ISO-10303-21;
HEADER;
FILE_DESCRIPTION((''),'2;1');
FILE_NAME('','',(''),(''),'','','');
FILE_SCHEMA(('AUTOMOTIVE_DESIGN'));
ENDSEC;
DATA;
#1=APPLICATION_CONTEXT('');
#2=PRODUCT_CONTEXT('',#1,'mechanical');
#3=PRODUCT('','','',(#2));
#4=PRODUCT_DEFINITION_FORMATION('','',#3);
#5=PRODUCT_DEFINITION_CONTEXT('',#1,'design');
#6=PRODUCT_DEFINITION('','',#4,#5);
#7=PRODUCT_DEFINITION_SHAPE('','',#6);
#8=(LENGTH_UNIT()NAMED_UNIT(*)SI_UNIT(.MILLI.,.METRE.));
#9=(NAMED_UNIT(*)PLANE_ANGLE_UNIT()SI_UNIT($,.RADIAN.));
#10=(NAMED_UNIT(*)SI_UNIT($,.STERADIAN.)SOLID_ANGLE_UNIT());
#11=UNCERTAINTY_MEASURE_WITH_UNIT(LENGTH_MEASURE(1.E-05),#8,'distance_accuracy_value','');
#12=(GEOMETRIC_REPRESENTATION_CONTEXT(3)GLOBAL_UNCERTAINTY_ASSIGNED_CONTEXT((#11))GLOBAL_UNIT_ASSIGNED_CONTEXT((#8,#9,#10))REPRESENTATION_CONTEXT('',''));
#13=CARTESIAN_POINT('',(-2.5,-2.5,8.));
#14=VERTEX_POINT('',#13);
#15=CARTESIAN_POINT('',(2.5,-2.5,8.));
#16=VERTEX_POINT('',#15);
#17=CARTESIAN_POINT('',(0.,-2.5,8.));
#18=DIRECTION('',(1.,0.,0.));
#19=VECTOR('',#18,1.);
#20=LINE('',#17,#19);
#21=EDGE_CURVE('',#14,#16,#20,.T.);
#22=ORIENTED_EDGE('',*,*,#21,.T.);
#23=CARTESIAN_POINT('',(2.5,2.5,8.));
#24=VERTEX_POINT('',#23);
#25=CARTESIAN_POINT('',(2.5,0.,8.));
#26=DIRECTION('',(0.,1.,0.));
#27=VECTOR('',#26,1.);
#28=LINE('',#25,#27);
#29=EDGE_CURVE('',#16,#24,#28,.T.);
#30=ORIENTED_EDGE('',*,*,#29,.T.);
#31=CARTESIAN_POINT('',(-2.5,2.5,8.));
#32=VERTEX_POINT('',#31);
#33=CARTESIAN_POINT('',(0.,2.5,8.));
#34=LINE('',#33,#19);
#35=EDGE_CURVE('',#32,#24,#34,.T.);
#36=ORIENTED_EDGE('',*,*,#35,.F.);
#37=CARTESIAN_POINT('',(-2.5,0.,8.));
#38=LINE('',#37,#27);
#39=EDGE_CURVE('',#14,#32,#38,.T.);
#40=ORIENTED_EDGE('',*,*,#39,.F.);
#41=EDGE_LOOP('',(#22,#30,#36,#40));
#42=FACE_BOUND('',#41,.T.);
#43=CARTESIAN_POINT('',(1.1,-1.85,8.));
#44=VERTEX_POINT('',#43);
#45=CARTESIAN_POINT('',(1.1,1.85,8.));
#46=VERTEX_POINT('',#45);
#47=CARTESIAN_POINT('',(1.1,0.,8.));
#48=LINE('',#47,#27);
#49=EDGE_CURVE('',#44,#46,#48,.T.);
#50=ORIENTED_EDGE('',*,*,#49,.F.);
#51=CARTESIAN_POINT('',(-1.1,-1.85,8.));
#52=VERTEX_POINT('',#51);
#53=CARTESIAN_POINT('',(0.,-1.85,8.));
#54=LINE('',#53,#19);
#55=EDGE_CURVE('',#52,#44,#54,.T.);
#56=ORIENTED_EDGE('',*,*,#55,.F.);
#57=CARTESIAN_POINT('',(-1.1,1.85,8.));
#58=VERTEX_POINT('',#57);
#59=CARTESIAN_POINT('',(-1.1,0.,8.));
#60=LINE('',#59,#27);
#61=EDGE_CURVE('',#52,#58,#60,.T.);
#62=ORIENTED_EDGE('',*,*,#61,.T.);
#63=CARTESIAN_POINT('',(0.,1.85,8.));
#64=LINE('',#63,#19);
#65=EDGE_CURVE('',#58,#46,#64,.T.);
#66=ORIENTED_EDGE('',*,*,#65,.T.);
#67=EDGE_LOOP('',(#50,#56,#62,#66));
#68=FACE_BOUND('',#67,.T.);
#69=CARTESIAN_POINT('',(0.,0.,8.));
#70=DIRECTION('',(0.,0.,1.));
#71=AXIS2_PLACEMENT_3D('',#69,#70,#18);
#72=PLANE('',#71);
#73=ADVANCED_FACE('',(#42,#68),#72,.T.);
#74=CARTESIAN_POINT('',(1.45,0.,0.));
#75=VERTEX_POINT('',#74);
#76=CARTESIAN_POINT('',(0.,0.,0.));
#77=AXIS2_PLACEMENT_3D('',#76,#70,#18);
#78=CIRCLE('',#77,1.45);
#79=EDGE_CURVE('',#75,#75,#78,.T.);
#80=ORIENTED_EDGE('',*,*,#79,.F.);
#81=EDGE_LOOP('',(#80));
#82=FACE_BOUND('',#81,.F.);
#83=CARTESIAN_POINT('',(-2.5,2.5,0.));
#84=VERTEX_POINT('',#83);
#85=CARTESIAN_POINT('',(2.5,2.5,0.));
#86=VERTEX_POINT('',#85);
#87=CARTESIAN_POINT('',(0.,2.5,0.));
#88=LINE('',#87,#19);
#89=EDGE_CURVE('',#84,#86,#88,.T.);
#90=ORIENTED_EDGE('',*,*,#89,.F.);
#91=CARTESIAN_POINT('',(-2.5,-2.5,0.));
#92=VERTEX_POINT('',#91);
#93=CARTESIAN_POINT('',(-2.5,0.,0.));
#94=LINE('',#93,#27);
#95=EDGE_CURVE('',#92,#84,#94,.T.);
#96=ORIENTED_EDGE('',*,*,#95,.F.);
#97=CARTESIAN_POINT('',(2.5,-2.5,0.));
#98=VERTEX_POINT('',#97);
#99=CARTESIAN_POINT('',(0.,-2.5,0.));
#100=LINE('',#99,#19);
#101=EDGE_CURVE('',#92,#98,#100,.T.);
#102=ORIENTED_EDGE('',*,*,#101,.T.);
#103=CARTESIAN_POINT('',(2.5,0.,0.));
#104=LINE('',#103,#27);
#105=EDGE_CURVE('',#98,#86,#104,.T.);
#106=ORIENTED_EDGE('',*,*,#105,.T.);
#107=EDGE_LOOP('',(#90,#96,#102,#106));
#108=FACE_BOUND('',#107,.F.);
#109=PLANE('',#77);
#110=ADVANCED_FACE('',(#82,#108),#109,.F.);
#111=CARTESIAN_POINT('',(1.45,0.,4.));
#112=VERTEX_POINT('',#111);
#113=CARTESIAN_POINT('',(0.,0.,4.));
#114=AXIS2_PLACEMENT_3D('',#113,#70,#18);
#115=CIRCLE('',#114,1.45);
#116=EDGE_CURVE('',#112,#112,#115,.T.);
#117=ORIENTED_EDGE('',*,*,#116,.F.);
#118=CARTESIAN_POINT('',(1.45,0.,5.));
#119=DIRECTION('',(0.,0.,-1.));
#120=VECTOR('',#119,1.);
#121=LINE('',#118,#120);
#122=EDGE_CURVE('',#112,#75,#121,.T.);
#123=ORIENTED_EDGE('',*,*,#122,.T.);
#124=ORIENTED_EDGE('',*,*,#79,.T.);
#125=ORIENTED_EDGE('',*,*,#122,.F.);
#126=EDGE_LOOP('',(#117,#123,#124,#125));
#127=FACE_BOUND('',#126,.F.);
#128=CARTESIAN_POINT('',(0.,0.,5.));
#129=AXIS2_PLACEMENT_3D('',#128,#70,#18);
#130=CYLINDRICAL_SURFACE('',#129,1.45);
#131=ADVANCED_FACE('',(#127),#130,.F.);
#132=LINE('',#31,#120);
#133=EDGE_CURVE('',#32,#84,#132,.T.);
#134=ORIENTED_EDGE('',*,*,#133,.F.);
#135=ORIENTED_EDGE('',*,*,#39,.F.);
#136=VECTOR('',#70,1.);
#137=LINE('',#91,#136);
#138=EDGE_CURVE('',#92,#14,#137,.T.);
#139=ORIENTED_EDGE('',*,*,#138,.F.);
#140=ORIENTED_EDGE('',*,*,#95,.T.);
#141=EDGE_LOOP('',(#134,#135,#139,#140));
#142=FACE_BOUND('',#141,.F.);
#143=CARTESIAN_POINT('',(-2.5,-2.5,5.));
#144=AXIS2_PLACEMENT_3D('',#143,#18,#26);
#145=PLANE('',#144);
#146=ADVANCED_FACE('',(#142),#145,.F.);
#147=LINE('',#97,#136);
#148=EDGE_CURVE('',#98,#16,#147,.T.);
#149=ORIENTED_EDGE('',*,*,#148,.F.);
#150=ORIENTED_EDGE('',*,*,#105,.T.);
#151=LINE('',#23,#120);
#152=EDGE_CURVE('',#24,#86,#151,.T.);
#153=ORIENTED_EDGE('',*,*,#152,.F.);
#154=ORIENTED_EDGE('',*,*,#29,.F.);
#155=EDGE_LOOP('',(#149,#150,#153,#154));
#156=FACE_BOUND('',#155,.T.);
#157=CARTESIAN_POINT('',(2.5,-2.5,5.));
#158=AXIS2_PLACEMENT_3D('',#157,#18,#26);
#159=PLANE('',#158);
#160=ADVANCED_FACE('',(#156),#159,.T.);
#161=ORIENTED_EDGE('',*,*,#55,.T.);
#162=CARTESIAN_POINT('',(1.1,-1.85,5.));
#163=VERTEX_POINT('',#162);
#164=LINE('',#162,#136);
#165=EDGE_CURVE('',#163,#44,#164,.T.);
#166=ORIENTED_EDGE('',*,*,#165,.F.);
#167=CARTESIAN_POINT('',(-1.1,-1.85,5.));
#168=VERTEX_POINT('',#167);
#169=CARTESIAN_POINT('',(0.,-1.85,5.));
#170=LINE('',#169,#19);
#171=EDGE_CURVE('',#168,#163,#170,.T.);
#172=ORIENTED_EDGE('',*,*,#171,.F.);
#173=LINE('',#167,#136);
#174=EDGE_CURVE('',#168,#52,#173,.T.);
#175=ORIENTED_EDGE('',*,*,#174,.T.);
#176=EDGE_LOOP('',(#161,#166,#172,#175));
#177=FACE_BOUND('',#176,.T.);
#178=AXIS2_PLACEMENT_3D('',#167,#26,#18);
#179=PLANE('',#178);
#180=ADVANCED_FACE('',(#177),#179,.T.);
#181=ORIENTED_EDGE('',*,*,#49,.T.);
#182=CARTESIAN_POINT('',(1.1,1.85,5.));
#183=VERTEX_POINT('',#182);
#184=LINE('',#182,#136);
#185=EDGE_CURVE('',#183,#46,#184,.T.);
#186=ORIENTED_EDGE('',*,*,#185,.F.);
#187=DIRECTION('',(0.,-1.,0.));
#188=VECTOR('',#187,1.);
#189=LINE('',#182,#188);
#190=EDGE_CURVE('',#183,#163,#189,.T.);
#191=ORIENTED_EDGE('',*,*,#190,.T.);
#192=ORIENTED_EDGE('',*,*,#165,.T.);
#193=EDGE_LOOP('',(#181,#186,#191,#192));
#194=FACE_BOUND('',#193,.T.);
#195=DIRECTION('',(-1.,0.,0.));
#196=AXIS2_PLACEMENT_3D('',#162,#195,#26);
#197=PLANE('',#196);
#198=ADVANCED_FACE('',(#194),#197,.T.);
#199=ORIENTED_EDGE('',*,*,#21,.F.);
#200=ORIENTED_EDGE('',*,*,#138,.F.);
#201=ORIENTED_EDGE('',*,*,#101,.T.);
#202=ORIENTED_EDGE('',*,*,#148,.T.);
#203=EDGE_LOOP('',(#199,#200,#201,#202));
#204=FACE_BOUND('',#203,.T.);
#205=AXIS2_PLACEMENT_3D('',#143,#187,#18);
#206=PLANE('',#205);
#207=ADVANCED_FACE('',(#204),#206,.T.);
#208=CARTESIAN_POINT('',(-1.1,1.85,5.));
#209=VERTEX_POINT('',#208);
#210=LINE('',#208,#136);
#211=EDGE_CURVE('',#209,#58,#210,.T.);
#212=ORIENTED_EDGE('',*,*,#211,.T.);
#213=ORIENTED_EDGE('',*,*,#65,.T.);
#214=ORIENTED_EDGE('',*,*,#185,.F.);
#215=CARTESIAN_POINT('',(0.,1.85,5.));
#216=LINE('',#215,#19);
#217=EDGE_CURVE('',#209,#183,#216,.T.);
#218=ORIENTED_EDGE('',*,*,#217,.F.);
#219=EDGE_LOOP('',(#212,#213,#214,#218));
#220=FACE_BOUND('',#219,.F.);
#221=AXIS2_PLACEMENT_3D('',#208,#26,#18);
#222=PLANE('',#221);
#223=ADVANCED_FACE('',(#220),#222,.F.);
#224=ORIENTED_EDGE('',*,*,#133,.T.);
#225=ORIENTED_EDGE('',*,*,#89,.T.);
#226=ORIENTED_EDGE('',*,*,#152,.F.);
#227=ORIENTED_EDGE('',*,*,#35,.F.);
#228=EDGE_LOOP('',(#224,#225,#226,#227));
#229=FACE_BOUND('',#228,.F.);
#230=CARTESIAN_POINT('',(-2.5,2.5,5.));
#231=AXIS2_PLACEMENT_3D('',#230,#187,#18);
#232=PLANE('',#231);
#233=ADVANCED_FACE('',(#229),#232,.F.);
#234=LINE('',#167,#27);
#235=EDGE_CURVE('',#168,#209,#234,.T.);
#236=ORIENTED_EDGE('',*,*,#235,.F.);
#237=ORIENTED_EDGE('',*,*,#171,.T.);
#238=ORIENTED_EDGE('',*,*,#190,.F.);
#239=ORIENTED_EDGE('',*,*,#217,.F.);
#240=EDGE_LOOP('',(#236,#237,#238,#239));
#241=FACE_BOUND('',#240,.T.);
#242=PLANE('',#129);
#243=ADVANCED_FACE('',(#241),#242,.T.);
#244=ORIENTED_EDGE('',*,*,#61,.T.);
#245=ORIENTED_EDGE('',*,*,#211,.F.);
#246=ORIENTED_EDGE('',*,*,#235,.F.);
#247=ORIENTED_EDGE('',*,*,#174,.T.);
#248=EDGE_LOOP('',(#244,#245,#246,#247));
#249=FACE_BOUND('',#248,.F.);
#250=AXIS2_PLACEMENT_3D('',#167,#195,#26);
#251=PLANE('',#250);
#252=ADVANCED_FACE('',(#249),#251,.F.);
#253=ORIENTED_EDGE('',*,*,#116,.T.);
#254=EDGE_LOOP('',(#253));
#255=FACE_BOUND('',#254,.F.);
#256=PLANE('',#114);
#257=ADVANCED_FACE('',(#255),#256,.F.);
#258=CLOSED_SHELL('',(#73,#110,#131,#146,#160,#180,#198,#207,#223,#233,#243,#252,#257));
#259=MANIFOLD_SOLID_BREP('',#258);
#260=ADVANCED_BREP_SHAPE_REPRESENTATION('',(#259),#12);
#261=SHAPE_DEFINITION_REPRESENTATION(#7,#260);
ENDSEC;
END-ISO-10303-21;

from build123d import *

# Parameters (mm, degrees)
F0_W     = 5
F0_H     = 5
F1_DEPTH = 5
F2_R     = 1.45
F3_DEPTH = 5.001
F4_W     = 5
F4_H     = 5
F4_W_2   = 2.2
F4_H_2   = 3.7
F5_DEPTH = 3
F6_DEPTH = 1


with BuildPart() as f1:
    # F0 (on Top) → F1 (new body)
    with BuildSketch(Plane.XY):
        Rectangle(F0_W, F0_H)
    extrude(amount=F1_DEPTH)

    # F2 (on face) → F3 (cut, through all)
    with BuildSketch(Plane.XY.offset(5)):
        Circle(F2_R)
    extrude(amount=-F3_DEPTH, mode=Mode.SUBTRACT)

    # F4 (on face) → F5 (join)
    with BuildSketch(Plane.XY.offset(5)):
        Rectangle(F4_W, F4_H)
        Rectangle(F4_W_2, F4_H_2, mode=Mode.SUBTRACT)
    extrude(amount=F5_DEPTH)

    # F4 (on face) → F6 (join)
    with BuildSketch(Plane.XY.offset(5)):
        Rectangle(F4_W, F4_H)
        with BuildLine():
            Line((1.1, -0.9447221814), (1.1, -1.85))
            Line((1.1, -1.85), (-1.1, -1.85))
            Line((-1.1, -1.85), (-1.1, -0.9447221814))
            ThreePointArc((-1.1, -0.9447221814), (-1.45, 0), (-1.1, 0.9447221814))
            Line((-1.1, 0.9447221814), (-1.1, 1.85))
            Line((-1.1, 1.85), (1.1, 1.85))
            Line((1.1, 1.85), (1.1, 0.9447221814))
            ThreePointArc((1.1, 0.9447221814), (1.3596874641, 0.503736042), (1.45, 0))
            ThreePointArc((1.45, 0), (1.3596874641, -0.503736042), (1.1, -0.9447221814))
        make_face(mode=Mode.SUBTRACT)
        with BuildLine():
            ThreePointArc((-1.1, 0.9447221814), (0, 1.45), (1.1, 0.9447221814))
            Line((1.1, 0.9447221814), (1.1, 1.85))
            Line((1.1, 1.85), (-1.1, 1.85))
            Line((-1.1, 1.85), (-1.1, 0.9447221814))
        make_face()
        with BuildLine():
            ThreePointArc((-1.1, 0.9447221814), (-1.45, 0), (-1.1, -0.9447221814))
            Line((-1.1, -0.9447221814), (-1.1, 0.9447221814))
        make_face()
        with BuildLine():
            ThreePointArc((-1.1, -0.9447221814), (0, -1.45), (1.1, -0.9447221814))
            Line((1.1, -0.9447221814), (1.1, 0.9447221814))
            ThreePointArc((1.1, 0.9447221814), (0, 1.45), (-1.1, 0.9447221814))
            Line((-1.1, 0.9447221814), (-1.1, -0.9447221814))
        make_face()
        with BuildLine():
            Line((1.1, 0.9447221814), (1.1, -0.9447221814))
            ThreePointArc((1.1, -0.9447221814), (1.3596874641, -0.503736042), (1.45, 0))
            ThreePointArc((1.45, 0), (1.3596874641, 0.503736042), (1.1, 0.9447221814))
        make_face()
        with BuildLine():
            Line((-1.1, -1.85), (1.1, -1.85))
            Line((1.1, -1.85), (1.1, -0.9447221814))
            ThreePointArc((1.1, -0.9447221814), (0, -1.45), (-1.1, -0.9447221814))
            Line((-1.1, -0.9447221814), (-1.1, -1.85))
        make_face()
    extrude(amount=-F6_DEPTH)


solid = f1.part
